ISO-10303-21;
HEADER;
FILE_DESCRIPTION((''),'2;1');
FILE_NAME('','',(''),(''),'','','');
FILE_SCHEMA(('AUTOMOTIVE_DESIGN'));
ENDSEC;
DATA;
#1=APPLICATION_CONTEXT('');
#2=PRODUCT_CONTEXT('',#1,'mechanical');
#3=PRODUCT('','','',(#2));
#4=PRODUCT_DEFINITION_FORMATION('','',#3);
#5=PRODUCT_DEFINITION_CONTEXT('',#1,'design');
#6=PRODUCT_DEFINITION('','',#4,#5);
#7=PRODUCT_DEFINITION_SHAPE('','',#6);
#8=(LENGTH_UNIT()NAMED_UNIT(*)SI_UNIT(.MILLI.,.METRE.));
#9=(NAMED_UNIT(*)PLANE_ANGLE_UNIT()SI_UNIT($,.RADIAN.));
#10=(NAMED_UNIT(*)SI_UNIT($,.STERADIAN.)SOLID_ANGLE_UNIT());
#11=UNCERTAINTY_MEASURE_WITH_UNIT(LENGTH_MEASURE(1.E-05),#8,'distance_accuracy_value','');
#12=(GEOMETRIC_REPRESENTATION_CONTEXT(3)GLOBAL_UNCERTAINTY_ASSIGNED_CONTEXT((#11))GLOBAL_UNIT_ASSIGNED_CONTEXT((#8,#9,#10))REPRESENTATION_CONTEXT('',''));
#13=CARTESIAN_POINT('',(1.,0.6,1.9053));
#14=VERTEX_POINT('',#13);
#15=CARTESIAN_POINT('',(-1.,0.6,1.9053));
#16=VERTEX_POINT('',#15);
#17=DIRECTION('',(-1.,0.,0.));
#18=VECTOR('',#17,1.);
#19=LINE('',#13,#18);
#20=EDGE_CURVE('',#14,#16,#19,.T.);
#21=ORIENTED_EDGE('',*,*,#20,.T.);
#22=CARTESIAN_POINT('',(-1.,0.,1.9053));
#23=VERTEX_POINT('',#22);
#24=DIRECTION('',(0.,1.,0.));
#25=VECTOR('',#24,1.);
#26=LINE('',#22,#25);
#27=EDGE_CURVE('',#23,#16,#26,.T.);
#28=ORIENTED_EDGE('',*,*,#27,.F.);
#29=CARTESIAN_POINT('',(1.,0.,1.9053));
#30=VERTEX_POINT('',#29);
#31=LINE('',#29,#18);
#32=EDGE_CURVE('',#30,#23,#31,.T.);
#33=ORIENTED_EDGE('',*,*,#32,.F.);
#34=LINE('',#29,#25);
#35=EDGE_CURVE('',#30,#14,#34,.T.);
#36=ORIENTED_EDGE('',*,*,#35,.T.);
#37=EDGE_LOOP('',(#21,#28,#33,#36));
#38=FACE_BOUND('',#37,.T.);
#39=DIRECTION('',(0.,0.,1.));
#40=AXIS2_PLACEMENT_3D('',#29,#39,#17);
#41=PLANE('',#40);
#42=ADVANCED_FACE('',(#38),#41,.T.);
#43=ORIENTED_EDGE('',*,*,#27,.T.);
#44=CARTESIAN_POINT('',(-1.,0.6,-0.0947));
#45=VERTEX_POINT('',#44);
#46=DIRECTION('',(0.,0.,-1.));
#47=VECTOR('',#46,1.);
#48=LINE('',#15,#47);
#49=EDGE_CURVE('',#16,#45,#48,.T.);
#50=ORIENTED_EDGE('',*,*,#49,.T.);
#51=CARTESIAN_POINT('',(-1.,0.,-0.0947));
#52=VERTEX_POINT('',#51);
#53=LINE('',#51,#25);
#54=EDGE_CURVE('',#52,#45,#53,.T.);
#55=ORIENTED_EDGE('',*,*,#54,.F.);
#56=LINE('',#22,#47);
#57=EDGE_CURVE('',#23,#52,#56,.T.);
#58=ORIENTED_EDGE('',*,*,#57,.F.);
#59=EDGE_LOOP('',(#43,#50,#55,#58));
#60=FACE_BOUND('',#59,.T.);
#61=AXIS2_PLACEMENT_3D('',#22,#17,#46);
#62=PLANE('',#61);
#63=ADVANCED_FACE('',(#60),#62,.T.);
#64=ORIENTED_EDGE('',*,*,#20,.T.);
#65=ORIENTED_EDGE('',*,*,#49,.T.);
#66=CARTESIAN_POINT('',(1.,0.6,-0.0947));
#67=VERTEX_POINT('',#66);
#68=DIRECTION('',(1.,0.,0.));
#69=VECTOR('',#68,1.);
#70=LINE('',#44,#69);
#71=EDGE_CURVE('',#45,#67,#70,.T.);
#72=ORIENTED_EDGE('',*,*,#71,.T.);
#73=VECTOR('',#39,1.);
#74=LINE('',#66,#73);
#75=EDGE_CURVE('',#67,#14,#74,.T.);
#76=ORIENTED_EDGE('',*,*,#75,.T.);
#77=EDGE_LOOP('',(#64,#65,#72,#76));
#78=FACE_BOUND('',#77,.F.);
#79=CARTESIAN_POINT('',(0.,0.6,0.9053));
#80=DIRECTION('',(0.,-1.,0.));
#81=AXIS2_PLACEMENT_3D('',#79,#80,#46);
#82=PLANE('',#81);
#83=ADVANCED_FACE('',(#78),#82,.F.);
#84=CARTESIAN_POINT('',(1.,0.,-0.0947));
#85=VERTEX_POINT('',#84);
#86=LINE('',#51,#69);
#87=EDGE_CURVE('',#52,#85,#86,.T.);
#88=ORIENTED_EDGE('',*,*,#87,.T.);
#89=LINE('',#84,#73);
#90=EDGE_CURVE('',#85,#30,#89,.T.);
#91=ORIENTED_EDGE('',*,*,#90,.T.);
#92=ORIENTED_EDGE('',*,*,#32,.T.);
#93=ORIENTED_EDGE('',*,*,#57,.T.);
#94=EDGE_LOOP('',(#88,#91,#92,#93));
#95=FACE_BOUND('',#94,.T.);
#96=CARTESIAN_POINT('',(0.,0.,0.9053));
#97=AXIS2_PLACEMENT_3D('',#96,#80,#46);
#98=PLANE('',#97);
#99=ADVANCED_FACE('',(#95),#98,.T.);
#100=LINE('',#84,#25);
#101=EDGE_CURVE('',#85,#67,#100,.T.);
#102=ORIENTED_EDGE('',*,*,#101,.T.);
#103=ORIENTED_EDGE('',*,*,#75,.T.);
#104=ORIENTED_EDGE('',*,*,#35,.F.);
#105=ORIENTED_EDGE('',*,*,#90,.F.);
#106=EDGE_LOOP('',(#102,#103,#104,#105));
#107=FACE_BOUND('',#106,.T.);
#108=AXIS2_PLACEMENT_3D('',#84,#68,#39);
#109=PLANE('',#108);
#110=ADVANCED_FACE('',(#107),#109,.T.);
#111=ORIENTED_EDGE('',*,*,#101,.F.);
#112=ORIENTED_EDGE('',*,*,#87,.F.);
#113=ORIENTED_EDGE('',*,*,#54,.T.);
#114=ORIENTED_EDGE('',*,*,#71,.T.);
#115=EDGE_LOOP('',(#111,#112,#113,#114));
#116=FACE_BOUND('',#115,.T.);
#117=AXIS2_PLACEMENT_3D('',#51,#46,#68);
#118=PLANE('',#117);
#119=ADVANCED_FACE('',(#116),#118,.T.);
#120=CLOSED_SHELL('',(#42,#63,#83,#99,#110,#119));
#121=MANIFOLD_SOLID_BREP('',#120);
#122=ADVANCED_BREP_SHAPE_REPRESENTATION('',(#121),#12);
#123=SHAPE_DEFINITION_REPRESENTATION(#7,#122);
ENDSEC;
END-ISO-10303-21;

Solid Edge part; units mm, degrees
sketch "Sketch1" plane through (0, 0, 0) normal (0, -1, 0) x (1, 0, 0)
  line L0 (-1, -0.0947) -> (1, -0.0947)
  line L1 (1, -0.0947) -> (1, 1.9053)
  line L2 (1, 1.9053) -> (-1, 1.9053)
  line L3 (-1, 1.9053) -> (-1, -0.0947)
  dimension "D1" = 2
  dimension "D2" = 2
extrude "Protrusion1" add sketch "Sketch1" against normal blind 0.6
